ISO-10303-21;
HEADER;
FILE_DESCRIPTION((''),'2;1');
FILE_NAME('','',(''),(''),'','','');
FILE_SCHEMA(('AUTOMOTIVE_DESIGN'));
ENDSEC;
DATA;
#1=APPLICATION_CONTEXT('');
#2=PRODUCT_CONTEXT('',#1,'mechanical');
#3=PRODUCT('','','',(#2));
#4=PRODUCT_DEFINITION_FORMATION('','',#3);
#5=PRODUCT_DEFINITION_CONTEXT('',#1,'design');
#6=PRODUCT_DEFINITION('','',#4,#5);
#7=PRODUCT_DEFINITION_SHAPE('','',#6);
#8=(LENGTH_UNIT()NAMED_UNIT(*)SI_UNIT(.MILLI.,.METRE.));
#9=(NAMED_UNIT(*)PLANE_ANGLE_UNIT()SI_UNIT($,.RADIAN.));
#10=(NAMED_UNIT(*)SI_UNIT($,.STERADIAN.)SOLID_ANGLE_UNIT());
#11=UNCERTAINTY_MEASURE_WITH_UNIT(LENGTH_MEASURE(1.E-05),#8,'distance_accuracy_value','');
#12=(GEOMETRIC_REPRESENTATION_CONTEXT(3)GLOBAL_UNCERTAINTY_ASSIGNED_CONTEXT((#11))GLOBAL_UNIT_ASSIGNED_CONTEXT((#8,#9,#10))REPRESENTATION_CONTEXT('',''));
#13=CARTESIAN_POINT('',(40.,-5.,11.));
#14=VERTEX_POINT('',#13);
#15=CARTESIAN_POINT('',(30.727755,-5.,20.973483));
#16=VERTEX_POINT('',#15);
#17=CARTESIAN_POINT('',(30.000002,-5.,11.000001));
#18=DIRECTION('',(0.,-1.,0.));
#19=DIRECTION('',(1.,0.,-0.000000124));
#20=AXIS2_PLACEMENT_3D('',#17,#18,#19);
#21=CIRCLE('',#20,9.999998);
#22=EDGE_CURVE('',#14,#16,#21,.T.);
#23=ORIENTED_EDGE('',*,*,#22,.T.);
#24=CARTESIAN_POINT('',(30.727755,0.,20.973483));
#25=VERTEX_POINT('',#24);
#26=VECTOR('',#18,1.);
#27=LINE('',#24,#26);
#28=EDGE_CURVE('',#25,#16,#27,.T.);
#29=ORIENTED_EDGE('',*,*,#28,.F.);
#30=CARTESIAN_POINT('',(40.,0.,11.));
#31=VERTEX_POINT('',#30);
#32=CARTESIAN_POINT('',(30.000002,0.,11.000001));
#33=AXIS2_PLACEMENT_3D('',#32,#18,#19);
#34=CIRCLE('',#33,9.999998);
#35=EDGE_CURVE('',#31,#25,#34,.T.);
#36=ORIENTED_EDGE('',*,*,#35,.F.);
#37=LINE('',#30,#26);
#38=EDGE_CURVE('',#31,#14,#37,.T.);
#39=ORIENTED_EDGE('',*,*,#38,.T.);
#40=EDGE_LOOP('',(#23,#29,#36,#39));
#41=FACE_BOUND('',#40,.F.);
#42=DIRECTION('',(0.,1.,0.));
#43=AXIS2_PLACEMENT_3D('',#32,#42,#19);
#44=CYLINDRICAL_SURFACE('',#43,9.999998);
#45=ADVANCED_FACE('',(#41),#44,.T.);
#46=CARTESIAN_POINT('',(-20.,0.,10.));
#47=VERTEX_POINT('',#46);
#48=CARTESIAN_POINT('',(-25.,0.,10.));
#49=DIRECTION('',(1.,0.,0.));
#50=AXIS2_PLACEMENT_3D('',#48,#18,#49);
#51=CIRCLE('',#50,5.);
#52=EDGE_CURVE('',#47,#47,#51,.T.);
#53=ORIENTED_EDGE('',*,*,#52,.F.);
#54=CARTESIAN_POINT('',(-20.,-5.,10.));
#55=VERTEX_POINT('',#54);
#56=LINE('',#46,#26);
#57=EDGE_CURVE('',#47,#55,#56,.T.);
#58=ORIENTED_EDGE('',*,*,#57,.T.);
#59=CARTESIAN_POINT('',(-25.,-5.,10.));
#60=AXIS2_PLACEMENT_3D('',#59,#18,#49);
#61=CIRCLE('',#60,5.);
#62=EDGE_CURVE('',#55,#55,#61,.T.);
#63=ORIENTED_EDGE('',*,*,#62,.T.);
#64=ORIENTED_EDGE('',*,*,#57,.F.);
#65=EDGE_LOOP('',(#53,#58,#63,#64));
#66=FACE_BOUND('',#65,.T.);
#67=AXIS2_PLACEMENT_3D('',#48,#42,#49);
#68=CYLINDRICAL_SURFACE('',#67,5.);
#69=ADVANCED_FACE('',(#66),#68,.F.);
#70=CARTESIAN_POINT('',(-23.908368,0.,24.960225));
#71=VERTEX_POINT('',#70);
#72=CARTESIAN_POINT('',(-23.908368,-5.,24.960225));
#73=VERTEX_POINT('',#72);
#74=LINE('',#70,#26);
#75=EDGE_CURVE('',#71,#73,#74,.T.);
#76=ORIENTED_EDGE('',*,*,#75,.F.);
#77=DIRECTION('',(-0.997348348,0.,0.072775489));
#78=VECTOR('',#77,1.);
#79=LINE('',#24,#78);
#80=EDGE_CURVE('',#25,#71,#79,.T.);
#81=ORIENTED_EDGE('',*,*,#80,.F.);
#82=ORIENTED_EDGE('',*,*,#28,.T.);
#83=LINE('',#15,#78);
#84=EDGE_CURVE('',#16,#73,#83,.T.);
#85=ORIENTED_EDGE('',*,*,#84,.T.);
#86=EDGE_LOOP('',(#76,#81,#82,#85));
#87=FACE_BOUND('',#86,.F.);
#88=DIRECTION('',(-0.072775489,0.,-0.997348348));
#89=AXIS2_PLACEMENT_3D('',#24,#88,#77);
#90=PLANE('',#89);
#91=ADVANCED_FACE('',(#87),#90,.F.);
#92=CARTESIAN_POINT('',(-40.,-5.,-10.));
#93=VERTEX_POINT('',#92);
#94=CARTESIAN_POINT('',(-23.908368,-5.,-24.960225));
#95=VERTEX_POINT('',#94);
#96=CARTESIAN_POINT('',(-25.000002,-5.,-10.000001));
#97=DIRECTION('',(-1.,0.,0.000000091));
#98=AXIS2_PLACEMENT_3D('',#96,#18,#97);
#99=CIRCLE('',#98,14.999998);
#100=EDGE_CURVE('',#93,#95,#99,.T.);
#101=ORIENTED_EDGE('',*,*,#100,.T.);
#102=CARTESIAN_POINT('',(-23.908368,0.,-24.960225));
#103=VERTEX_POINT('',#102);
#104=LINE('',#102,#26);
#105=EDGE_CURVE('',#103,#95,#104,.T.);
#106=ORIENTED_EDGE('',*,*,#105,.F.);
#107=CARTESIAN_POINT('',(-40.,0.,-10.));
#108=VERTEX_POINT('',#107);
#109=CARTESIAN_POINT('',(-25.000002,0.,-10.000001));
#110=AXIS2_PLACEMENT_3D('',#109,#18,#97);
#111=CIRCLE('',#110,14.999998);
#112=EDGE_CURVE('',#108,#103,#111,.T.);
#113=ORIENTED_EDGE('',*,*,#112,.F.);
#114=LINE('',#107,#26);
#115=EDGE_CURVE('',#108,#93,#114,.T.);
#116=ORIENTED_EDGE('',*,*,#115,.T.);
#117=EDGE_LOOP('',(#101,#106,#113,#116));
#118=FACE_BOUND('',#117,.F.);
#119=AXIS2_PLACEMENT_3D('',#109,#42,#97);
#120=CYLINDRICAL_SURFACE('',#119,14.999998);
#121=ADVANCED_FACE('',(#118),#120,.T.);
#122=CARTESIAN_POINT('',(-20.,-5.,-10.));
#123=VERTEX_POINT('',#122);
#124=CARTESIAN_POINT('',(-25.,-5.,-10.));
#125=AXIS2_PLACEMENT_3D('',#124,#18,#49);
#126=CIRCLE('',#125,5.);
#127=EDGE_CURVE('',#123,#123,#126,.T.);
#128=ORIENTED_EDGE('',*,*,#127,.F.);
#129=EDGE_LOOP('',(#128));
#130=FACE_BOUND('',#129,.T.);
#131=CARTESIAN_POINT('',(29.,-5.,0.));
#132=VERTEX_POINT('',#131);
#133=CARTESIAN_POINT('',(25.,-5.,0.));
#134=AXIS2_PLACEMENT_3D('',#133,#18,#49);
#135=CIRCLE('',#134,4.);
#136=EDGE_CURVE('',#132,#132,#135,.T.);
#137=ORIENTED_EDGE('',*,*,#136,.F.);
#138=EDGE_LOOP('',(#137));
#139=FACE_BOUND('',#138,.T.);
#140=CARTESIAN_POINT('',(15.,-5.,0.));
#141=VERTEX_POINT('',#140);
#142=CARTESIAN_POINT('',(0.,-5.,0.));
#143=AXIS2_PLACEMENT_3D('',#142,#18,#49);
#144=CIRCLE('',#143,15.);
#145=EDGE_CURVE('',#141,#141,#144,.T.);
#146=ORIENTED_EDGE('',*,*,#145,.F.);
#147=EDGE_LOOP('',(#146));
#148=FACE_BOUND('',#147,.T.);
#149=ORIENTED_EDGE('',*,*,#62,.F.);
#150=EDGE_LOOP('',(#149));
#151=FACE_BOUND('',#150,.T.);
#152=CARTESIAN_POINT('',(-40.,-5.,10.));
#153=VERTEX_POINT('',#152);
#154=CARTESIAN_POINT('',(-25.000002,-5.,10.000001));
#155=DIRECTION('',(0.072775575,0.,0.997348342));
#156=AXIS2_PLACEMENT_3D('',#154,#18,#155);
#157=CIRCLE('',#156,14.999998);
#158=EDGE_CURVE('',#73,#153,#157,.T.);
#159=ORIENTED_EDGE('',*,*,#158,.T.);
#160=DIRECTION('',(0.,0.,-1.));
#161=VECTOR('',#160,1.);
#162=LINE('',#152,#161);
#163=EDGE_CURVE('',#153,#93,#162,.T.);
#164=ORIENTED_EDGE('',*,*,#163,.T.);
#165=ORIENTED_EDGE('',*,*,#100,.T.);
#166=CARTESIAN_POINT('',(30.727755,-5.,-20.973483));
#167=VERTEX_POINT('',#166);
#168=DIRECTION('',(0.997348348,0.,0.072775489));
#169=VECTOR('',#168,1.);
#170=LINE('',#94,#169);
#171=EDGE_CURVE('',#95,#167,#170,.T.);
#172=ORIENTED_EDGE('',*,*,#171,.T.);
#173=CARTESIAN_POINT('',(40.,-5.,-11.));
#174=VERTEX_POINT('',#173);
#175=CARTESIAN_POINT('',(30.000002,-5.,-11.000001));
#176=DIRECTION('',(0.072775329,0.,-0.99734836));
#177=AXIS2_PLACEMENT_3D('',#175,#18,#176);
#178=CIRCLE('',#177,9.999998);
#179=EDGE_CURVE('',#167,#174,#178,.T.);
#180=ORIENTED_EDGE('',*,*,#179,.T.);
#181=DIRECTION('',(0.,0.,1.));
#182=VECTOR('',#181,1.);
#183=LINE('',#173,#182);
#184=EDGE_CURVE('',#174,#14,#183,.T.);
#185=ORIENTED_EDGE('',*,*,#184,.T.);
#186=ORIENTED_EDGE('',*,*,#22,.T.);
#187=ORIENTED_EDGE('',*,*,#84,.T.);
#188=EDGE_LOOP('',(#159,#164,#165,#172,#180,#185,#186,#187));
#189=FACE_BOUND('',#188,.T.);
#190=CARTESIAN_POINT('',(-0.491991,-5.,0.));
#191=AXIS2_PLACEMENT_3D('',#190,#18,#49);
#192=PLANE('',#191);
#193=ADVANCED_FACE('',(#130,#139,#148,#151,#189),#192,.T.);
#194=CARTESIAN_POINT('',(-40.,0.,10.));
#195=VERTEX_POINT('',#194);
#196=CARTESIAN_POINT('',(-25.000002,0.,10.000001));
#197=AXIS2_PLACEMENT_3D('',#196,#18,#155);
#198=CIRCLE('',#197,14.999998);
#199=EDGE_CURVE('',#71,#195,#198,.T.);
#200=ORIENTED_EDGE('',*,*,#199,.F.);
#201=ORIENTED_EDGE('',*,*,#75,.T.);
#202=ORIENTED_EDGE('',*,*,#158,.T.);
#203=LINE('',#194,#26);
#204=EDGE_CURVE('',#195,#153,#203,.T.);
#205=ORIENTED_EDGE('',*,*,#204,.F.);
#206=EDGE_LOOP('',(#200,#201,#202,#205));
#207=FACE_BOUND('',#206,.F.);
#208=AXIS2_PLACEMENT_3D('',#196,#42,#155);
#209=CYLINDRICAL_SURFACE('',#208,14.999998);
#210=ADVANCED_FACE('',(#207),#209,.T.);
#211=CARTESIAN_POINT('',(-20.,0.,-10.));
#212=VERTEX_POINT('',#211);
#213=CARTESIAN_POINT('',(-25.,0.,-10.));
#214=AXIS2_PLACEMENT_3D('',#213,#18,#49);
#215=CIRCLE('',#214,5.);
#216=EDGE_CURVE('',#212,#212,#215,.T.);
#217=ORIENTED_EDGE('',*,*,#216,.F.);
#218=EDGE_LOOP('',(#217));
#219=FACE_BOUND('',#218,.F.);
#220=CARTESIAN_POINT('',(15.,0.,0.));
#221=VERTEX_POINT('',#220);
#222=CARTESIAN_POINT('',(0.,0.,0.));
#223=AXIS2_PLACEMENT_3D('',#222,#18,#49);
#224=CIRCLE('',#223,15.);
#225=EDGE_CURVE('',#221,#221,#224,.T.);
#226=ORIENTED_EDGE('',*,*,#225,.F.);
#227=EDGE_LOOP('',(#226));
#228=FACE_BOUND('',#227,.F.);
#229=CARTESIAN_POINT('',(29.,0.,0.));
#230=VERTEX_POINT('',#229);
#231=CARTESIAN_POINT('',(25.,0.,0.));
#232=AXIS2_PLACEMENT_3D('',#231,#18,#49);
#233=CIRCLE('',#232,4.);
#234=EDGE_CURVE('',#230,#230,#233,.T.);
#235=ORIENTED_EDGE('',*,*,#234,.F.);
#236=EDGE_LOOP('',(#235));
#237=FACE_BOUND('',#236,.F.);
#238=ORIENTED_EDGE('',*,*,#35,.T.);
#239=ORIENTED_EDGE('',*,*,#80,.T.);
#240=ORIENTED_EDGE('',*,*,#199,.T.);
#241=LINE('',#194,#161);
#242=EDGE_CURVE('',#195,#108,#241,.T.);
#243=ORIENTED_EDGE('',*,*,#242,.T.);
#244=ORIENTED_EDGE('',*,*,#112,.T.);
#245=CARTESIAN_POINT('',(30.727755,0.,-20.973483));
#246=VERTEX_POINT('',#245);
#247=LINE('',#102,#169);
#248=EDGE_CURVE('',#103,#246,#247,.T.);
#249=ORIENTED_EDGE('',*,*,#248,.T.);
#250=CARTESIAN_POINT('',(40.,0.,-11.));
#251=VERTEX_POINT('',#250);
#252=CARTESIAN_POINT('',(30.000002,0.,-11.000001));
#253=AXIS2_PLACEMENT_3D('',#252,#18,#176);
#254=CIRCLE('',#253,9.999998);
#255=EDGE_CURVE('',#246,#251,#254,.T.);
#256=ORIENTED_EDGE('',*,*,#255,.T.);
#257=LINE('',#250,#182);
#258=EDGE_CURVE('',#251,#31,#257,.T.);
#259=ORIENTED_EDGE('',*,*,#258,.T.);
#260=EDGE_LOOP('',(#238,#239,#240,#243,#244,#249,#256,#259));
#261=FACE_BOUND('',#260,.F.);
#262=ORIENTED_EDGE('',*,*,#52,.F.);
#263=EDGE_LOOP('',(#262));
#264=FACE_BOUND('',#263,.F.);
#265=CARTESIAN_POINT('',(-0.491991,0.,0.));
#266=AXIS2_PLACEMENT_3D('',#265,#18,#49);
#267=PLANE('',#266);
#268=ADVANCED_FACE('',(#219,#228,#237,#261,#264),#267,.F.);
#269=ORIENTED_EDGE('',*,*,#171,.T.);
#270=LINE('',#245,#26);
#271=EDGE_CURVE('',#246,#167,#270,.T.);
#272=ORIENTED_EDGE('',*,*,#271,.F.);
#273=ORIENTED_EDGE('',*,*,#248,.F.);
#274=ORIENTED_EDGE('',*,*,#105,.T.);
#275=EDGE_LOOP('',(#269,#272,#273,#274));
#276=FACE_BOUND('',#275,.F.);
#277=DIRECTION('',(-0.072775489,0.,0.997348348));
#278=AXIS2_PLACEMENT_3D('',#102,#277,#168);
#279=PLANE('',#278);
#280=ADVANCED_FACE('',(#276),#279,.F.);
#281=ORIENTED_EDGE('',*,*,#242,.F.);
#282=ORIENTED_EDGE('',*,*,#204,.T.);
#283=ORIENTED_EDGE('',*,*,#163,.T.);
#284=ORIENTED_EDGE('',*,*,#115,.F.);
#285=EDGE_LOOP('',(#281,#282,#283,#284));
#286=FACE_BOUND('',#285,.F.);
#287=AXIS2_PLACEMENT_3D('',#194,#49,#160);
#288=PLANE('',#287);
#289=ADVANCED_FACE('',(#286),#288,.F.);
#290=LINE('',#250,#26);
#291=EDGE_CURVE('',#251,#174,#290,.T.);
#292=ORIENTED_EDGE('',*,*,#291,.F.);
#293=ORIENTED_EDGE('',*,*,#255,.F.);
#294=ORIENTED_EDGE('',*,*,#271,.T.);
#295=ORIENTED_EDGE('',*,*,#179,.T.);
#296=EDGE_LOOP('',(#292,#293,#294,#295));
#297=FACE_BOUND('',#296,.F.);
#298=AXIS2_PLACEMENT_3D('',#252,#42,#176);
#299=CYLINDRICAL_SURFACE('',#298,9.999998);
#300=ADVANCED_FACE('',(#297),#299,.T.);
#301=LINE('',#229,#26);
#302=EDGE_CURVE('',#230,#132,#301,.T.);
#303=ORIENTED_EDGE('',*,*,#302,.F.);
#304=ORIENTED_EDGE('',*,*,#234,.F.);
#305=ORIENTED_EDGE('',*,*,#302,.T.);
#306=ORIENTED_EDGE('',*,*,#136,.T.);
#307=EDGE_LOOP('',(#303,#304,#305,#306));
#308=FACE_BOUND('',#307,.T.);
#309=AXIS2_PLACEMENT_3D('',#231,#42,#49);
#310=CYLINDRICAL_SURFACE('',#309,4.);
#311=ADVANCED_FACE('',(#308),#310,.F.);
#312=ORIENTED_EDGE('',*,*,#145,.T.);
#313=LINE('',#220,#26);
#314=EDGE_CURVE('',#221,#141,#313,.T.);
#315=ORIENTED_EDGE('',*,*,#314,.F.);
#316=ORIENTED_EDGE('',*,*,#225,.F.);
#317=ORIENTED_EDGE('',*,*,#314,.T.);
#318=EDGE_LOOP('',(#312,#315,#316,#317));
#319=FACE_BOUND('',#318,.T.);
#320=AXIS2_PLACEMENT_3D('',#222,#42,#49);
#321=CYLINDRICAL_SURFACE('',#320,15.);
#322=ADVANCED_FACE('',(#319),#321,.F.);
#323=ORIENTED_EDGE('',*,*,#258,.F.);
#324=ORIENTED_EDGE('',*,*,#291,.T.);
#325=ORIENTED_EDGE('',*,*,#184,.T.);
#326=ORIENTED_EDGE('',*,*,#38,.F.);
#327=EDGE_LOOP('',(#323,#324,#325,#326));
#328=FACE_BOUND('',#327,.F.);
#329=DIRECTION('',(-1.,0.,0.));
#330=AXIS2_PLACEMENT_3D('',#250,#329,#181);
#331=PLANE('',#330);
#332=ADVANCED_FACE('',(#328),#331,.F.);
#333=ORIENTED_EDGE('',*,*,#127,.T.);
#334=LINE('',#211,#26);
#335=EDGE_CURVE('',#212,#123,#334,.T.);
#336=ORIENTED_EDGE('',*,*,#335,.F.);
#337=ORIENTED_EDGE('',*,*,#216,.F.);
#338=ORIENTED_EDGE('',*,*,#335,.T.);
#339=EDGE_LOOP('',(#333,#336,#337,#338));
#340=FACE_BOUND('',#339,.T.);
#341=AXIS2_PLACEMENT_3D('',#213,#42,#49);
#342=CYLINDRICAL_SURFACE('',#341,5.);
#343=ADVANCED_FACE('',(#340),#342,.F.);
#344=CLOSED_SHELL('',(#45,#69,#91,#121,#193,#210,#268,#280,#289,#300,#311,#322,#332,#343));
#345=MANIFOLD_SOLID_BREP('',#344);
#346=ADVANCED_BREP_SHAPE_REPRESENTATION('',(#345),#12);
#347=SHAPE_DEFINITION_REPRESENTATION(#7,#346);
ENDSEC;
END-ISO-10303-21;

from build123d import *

# Parameters (mm, degrees)
F0_R     = 5
F0_R_2   = 15
F0_R_3   = 4
F1_DEPTH = 5


with BuildPart() as f1:
    # F0 (on Front) → F1 (new body)
    with BuildSketch(Plane.XZ):
        with BuildLine():
            ThreePointArc((-23.908368, 24.960225), (-35.213362, 20.985775), (-40, 10))
            Line((-40, 10), (-40, -10))
            ThreePointArc((-40, -10), (-35.213362, -20.985775), (-23.908368, -24.960225))
            Line((-23.908368, -24.960225), (30.727755, -20.973483))
            ThreePointArc((30.727755, -20.973483), (37.32385, -17.808908), (40, -11))
            Line((40, -11), (40, 11))
            ThreePointArc((40, 11), (37.32385, 17.808908), (30.727755, 20.973483))
            Line((30.727755, 20.973483), (-23.908368, 24.960225))
        make_face()
        with Locations((-25, -10)):
            Circle(F0_R, mode=Mode.SUBTRACT)
        with Locations((-25, 10)):
            Circle(F0_R, mode=Mode.SUBTRACT)
        Circle(F0_R_2, mode=Mode.SUBTRACT)
        with Locations((25, 0)):
            Circle(F0_R_3, mode=Mode.SUBTRACT)
    extrude(amount=F1_DEPTH)


solid = f1.part
